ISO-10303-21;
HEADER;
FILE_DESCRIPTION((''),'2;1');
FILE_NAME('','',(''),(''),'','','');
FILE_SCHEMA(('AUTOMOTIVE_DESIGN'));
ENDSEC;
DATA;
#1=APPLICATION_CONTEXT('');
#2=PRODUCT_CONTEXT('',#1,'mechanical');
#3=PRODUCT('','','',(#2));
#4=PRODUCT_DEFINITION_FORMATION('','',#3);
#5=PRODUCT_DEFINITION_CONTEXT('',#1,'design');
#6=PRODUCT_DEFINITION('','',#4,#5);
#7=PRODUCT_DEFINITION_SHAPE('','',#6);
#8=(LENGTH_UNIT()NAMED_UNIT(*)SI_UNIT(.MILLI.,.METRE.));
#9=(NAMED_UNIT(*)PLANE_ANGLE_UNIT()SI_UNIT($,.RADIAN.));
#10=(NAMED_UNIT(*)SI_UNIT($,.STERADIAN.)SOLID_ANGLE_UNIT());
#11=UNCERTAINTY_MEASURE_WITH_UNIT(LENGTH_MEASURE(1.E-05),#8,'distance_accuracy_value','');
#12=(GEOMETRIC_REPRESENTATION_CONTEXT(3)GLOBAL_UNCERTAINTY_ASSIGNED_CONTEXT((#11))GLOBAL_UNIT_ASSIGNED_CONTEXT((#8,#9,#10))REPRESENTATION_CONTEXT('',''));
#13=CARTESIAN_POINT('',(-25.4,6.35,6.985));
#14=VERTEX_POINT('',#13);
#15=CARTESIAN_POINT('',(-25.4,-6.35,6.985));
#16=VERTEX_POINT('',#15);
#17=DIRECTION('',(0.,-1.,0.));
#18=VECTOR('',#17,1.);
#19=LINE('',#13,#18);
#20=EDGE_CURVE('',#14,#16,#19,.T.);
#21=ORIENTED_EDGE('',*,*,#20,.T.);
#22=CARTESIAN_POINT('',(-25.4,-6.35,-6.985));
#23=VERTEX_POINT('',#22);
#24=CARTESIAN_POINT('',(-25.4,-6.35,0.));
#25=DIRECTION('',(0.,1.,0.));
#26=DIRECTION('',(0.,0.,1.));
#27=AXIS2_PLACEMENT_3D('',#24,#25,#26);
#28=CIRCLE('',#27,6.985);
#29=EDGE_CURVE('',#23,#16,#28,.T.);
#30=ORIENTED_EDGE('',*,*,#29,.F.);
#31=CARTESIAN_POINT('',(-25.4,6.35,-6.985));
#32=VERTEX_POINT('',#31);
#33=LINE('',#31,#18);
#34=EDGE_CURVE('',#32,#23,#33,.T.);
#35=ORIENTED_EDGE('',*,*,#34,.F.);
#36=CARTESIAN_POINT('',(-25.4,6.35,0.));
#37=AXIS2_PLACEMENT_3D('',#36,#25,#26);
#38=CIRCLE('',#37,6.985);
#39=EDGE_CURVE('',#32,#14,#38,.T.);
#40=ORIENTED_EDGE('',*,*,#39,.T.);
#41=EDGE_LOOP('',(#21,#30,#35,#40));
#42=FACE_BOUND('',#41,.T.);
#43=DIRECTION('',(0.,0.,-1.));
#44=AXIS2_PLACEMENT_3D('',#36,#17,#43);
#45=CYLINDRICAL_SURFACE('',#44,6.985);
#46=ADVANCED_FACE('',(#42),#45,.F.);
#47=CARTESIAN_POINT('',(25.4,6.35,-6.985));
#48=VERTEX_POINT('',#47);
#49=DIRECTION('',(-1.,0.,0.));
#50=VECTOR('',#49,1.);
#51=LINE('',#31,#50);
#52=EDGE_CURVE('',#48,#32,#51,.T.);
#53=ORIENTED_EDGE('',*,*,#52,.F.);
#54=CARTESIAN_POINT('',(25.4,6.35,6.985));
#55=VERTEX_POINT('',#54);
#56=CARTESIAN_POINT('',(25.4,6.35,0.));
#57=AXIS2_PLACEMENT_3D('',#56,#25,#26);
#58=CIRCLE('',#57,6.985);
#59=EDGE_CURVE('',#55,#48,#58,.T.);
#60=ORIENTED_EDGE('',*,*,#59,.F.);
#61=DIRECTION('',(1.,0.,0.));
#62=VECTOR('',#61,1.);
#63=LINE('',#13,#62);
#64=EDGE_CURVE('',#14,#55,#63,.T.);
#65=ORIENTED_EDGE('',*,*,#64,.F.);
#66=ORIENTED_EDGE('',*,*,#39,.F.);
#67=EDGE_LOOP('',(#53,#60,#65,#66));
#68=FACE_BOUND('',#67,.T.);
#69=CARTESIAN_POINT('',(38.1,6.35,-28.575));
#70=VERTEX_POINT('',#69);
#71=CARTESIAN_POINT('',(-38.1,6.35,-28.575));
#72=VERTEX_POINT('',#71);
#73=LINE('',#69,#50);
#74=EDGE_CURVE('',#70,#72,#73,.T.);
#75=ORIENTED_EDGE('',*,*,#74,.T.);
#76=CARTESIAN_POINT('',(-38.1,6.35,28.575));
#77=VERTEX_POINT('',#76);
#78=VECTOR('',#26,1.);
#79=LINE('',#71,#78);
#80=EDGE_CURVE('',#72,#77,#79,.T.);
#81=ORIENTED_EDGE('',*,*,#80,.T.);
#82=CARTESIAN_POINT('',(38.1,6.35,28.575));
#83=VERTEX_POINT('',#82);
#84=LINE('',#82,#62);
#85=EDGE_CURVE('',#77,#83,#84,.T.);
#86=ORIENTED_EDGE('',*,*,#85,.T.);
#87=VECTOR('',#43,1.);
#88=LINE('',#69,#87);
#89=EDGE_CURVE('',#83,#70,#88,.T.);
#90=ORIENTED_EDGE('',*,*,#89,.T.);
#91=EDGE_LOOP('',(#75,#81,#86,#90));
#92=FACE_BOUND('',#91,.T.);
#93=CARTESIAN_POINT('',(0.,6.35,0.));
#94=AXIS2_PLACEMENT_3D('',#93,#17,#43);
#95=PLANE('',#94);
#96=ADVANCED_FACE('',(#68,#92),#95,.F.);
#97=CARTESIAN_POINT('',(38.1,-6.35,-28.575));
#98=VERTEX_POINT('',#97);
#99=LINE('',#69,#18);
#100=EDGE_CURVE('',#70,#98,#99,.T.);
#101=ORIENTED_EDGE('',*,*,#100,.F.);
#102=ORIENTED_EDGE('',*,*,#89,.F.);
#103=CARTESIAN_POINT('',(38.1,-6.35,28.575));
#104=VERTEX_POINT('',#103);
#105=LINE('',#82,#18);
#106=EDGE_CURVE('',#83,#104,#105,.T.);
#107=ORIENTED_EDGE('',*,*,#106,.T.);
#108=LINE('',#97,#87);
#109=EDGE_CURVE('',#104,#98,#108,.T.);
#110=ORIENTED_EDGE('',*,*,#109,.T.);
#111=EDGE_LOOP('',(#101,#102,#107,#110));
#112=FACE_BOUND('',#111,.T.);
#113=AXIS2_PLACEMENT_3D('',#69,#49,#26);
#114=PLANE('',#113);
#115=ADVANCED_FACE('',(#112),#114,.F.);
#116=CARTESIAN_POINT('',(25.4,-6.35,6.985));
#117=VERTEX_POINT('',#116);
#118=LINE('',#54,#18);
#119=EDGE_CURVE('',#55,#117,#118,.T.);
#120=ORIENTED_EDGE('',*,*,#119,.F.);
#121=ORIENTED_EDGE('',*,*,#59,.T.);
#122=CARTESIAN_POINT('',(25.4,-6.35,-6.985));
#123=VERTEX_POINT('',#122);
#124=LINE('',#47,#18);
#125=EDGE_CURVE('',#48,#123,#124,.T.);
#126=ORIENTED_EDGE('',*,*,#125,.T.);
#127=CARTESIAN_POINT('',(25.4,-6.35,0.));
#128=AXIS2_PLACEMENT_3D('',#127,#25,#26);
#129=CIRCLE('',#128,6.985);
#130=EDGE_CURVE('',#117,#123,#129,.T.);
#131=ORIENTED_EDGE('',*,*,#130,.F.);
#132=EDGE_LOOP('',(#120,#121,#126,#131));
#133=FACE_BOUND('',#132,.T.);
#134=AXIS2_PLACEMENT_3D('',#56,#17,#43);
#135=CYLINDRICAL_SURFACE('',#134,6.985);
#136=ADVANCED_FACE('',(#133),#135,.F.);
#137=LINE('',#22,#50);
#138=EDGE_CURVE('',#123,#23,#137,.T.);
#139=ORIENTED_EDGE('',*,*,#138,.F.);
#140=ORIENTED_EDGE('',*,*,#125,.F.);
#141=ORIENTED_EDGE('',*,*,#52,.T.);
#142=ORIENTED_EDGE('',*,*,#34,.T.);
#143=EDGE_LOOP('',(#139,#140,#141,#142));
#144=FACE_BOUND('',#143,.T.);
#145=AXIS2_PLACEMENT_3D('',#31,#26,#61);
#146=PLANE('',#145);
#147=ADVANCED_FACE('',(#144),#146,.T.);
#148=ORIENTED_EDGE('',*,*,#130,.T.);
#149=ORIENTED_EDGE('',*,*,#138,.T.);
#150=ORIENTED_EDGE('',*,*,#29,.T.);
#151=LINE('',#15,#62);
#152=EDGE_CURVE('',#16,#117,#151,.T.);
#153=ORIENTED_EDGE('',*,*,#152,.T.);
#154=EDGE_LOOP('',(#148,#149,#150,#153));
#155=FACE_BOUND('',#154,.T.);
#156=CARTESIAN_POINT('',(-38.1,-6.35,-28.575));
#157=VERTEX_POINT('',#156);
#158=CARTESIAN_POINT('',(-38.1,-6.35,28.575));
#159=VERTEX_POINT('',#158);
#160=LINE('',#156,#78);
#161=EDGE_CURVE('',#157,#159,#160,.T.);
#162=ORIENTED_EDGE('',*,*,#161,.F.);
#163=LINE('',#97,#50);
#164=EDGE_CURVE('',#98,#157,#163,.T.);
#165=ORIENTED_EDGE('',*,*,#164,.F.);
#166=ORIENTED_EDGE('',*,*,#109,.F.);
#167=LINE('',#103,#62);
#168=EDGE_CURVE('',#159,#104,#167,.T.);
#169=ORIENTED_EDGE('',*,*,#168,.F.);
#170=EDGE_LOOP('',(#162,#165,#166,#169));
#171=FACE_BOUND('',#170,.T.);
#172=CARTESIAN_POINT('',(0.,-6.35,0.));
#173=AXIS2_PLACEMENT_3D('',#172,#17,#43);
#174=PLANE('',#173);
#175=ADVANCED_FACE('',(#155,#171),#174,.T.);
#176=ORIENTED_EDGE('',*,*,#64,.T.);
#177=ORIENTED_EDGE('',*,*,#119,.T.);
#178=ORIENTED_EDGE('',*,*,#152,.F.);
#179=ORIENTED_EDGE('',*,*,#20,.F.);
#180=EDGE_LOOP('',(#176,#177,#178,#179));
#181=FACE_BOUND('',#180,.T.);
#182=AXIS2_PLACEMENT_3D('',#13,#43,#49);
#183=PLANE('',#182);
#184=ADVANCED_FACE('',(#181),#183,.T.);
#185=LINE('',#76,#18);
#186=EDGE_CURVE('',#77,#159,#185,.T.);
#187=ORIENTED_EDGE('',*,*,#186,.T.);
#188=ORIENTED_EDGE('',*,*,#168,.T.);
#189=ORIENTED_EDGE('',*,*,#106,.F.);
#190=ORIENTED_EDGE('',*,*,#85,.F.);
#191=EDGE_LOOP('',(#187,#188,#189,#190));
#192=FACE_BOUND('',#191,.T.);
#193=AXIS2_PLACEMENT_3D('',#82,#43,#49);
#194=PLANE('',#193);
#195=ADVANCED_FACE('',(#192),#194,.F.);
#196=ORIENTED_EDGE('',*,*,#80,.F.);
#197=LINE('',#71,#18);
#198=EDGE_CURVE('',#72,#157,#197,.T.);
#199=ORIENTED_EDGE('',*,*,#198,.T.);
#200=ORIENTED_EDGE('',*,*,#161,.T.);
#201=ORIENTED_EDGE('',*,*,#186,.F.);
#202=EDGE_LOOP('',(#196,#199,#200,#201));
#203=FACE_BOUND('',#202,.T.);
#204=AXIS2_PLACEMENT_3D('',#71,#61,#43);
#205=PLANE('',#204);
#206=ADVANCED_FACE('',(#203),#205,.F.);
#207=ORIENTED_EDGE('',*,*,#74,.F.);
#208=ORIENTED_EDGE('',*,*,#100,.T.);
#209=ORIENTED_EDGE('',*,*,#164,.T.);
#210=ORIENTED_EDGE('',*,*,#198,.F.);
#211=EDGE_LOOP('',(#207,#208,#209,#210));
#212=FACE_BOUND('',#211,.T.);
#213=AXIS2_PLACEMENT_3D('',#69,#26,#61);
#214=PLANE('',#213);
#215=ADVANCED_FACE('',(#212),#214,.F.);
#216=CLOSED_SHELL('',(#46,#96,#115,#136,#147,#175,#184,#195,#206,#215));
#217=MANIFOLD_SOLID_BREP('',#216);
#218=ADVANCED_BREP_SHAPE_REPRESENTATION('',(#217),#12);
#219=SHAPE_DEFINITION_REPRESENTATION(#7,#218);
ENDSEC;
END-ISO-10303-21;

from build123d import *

# Parameters (mm, degrees)
SKETCH1_W           = 76.2
SKETCH1_H           = 57.15
BOSS_EXTRUDE1_DEPTH = 6.35


with BuildPart() as part:
    # Sketch1 → Boss-Extrude1 (new, symmetric)
    with BuildSketch(Plane(origin=(0, 0, 0), x_dir=(1, 0, 0), z_dir=(0, 1, 0))):
        Rectangle(SKETCH1_W, SKETCH1_H)
        with BuildLine():
            Line((-25.4, 6.985), (25.4, 6.985))
            ThreePointArc((25.4, 6.985), (32.385, 0), (25.4, -6.985))
            Line((25.4, -6.985), (-25.4, -6.985))
            ThreePointArc((-25.4, -6.985), (-32.385, 0), (-25.4, 6.985))
        make_face(mode=Mode.SUBTRACT)
    extrude(amount=BOSS_EXTRUDE1_DEPTH, both=True)


solid = part.part
